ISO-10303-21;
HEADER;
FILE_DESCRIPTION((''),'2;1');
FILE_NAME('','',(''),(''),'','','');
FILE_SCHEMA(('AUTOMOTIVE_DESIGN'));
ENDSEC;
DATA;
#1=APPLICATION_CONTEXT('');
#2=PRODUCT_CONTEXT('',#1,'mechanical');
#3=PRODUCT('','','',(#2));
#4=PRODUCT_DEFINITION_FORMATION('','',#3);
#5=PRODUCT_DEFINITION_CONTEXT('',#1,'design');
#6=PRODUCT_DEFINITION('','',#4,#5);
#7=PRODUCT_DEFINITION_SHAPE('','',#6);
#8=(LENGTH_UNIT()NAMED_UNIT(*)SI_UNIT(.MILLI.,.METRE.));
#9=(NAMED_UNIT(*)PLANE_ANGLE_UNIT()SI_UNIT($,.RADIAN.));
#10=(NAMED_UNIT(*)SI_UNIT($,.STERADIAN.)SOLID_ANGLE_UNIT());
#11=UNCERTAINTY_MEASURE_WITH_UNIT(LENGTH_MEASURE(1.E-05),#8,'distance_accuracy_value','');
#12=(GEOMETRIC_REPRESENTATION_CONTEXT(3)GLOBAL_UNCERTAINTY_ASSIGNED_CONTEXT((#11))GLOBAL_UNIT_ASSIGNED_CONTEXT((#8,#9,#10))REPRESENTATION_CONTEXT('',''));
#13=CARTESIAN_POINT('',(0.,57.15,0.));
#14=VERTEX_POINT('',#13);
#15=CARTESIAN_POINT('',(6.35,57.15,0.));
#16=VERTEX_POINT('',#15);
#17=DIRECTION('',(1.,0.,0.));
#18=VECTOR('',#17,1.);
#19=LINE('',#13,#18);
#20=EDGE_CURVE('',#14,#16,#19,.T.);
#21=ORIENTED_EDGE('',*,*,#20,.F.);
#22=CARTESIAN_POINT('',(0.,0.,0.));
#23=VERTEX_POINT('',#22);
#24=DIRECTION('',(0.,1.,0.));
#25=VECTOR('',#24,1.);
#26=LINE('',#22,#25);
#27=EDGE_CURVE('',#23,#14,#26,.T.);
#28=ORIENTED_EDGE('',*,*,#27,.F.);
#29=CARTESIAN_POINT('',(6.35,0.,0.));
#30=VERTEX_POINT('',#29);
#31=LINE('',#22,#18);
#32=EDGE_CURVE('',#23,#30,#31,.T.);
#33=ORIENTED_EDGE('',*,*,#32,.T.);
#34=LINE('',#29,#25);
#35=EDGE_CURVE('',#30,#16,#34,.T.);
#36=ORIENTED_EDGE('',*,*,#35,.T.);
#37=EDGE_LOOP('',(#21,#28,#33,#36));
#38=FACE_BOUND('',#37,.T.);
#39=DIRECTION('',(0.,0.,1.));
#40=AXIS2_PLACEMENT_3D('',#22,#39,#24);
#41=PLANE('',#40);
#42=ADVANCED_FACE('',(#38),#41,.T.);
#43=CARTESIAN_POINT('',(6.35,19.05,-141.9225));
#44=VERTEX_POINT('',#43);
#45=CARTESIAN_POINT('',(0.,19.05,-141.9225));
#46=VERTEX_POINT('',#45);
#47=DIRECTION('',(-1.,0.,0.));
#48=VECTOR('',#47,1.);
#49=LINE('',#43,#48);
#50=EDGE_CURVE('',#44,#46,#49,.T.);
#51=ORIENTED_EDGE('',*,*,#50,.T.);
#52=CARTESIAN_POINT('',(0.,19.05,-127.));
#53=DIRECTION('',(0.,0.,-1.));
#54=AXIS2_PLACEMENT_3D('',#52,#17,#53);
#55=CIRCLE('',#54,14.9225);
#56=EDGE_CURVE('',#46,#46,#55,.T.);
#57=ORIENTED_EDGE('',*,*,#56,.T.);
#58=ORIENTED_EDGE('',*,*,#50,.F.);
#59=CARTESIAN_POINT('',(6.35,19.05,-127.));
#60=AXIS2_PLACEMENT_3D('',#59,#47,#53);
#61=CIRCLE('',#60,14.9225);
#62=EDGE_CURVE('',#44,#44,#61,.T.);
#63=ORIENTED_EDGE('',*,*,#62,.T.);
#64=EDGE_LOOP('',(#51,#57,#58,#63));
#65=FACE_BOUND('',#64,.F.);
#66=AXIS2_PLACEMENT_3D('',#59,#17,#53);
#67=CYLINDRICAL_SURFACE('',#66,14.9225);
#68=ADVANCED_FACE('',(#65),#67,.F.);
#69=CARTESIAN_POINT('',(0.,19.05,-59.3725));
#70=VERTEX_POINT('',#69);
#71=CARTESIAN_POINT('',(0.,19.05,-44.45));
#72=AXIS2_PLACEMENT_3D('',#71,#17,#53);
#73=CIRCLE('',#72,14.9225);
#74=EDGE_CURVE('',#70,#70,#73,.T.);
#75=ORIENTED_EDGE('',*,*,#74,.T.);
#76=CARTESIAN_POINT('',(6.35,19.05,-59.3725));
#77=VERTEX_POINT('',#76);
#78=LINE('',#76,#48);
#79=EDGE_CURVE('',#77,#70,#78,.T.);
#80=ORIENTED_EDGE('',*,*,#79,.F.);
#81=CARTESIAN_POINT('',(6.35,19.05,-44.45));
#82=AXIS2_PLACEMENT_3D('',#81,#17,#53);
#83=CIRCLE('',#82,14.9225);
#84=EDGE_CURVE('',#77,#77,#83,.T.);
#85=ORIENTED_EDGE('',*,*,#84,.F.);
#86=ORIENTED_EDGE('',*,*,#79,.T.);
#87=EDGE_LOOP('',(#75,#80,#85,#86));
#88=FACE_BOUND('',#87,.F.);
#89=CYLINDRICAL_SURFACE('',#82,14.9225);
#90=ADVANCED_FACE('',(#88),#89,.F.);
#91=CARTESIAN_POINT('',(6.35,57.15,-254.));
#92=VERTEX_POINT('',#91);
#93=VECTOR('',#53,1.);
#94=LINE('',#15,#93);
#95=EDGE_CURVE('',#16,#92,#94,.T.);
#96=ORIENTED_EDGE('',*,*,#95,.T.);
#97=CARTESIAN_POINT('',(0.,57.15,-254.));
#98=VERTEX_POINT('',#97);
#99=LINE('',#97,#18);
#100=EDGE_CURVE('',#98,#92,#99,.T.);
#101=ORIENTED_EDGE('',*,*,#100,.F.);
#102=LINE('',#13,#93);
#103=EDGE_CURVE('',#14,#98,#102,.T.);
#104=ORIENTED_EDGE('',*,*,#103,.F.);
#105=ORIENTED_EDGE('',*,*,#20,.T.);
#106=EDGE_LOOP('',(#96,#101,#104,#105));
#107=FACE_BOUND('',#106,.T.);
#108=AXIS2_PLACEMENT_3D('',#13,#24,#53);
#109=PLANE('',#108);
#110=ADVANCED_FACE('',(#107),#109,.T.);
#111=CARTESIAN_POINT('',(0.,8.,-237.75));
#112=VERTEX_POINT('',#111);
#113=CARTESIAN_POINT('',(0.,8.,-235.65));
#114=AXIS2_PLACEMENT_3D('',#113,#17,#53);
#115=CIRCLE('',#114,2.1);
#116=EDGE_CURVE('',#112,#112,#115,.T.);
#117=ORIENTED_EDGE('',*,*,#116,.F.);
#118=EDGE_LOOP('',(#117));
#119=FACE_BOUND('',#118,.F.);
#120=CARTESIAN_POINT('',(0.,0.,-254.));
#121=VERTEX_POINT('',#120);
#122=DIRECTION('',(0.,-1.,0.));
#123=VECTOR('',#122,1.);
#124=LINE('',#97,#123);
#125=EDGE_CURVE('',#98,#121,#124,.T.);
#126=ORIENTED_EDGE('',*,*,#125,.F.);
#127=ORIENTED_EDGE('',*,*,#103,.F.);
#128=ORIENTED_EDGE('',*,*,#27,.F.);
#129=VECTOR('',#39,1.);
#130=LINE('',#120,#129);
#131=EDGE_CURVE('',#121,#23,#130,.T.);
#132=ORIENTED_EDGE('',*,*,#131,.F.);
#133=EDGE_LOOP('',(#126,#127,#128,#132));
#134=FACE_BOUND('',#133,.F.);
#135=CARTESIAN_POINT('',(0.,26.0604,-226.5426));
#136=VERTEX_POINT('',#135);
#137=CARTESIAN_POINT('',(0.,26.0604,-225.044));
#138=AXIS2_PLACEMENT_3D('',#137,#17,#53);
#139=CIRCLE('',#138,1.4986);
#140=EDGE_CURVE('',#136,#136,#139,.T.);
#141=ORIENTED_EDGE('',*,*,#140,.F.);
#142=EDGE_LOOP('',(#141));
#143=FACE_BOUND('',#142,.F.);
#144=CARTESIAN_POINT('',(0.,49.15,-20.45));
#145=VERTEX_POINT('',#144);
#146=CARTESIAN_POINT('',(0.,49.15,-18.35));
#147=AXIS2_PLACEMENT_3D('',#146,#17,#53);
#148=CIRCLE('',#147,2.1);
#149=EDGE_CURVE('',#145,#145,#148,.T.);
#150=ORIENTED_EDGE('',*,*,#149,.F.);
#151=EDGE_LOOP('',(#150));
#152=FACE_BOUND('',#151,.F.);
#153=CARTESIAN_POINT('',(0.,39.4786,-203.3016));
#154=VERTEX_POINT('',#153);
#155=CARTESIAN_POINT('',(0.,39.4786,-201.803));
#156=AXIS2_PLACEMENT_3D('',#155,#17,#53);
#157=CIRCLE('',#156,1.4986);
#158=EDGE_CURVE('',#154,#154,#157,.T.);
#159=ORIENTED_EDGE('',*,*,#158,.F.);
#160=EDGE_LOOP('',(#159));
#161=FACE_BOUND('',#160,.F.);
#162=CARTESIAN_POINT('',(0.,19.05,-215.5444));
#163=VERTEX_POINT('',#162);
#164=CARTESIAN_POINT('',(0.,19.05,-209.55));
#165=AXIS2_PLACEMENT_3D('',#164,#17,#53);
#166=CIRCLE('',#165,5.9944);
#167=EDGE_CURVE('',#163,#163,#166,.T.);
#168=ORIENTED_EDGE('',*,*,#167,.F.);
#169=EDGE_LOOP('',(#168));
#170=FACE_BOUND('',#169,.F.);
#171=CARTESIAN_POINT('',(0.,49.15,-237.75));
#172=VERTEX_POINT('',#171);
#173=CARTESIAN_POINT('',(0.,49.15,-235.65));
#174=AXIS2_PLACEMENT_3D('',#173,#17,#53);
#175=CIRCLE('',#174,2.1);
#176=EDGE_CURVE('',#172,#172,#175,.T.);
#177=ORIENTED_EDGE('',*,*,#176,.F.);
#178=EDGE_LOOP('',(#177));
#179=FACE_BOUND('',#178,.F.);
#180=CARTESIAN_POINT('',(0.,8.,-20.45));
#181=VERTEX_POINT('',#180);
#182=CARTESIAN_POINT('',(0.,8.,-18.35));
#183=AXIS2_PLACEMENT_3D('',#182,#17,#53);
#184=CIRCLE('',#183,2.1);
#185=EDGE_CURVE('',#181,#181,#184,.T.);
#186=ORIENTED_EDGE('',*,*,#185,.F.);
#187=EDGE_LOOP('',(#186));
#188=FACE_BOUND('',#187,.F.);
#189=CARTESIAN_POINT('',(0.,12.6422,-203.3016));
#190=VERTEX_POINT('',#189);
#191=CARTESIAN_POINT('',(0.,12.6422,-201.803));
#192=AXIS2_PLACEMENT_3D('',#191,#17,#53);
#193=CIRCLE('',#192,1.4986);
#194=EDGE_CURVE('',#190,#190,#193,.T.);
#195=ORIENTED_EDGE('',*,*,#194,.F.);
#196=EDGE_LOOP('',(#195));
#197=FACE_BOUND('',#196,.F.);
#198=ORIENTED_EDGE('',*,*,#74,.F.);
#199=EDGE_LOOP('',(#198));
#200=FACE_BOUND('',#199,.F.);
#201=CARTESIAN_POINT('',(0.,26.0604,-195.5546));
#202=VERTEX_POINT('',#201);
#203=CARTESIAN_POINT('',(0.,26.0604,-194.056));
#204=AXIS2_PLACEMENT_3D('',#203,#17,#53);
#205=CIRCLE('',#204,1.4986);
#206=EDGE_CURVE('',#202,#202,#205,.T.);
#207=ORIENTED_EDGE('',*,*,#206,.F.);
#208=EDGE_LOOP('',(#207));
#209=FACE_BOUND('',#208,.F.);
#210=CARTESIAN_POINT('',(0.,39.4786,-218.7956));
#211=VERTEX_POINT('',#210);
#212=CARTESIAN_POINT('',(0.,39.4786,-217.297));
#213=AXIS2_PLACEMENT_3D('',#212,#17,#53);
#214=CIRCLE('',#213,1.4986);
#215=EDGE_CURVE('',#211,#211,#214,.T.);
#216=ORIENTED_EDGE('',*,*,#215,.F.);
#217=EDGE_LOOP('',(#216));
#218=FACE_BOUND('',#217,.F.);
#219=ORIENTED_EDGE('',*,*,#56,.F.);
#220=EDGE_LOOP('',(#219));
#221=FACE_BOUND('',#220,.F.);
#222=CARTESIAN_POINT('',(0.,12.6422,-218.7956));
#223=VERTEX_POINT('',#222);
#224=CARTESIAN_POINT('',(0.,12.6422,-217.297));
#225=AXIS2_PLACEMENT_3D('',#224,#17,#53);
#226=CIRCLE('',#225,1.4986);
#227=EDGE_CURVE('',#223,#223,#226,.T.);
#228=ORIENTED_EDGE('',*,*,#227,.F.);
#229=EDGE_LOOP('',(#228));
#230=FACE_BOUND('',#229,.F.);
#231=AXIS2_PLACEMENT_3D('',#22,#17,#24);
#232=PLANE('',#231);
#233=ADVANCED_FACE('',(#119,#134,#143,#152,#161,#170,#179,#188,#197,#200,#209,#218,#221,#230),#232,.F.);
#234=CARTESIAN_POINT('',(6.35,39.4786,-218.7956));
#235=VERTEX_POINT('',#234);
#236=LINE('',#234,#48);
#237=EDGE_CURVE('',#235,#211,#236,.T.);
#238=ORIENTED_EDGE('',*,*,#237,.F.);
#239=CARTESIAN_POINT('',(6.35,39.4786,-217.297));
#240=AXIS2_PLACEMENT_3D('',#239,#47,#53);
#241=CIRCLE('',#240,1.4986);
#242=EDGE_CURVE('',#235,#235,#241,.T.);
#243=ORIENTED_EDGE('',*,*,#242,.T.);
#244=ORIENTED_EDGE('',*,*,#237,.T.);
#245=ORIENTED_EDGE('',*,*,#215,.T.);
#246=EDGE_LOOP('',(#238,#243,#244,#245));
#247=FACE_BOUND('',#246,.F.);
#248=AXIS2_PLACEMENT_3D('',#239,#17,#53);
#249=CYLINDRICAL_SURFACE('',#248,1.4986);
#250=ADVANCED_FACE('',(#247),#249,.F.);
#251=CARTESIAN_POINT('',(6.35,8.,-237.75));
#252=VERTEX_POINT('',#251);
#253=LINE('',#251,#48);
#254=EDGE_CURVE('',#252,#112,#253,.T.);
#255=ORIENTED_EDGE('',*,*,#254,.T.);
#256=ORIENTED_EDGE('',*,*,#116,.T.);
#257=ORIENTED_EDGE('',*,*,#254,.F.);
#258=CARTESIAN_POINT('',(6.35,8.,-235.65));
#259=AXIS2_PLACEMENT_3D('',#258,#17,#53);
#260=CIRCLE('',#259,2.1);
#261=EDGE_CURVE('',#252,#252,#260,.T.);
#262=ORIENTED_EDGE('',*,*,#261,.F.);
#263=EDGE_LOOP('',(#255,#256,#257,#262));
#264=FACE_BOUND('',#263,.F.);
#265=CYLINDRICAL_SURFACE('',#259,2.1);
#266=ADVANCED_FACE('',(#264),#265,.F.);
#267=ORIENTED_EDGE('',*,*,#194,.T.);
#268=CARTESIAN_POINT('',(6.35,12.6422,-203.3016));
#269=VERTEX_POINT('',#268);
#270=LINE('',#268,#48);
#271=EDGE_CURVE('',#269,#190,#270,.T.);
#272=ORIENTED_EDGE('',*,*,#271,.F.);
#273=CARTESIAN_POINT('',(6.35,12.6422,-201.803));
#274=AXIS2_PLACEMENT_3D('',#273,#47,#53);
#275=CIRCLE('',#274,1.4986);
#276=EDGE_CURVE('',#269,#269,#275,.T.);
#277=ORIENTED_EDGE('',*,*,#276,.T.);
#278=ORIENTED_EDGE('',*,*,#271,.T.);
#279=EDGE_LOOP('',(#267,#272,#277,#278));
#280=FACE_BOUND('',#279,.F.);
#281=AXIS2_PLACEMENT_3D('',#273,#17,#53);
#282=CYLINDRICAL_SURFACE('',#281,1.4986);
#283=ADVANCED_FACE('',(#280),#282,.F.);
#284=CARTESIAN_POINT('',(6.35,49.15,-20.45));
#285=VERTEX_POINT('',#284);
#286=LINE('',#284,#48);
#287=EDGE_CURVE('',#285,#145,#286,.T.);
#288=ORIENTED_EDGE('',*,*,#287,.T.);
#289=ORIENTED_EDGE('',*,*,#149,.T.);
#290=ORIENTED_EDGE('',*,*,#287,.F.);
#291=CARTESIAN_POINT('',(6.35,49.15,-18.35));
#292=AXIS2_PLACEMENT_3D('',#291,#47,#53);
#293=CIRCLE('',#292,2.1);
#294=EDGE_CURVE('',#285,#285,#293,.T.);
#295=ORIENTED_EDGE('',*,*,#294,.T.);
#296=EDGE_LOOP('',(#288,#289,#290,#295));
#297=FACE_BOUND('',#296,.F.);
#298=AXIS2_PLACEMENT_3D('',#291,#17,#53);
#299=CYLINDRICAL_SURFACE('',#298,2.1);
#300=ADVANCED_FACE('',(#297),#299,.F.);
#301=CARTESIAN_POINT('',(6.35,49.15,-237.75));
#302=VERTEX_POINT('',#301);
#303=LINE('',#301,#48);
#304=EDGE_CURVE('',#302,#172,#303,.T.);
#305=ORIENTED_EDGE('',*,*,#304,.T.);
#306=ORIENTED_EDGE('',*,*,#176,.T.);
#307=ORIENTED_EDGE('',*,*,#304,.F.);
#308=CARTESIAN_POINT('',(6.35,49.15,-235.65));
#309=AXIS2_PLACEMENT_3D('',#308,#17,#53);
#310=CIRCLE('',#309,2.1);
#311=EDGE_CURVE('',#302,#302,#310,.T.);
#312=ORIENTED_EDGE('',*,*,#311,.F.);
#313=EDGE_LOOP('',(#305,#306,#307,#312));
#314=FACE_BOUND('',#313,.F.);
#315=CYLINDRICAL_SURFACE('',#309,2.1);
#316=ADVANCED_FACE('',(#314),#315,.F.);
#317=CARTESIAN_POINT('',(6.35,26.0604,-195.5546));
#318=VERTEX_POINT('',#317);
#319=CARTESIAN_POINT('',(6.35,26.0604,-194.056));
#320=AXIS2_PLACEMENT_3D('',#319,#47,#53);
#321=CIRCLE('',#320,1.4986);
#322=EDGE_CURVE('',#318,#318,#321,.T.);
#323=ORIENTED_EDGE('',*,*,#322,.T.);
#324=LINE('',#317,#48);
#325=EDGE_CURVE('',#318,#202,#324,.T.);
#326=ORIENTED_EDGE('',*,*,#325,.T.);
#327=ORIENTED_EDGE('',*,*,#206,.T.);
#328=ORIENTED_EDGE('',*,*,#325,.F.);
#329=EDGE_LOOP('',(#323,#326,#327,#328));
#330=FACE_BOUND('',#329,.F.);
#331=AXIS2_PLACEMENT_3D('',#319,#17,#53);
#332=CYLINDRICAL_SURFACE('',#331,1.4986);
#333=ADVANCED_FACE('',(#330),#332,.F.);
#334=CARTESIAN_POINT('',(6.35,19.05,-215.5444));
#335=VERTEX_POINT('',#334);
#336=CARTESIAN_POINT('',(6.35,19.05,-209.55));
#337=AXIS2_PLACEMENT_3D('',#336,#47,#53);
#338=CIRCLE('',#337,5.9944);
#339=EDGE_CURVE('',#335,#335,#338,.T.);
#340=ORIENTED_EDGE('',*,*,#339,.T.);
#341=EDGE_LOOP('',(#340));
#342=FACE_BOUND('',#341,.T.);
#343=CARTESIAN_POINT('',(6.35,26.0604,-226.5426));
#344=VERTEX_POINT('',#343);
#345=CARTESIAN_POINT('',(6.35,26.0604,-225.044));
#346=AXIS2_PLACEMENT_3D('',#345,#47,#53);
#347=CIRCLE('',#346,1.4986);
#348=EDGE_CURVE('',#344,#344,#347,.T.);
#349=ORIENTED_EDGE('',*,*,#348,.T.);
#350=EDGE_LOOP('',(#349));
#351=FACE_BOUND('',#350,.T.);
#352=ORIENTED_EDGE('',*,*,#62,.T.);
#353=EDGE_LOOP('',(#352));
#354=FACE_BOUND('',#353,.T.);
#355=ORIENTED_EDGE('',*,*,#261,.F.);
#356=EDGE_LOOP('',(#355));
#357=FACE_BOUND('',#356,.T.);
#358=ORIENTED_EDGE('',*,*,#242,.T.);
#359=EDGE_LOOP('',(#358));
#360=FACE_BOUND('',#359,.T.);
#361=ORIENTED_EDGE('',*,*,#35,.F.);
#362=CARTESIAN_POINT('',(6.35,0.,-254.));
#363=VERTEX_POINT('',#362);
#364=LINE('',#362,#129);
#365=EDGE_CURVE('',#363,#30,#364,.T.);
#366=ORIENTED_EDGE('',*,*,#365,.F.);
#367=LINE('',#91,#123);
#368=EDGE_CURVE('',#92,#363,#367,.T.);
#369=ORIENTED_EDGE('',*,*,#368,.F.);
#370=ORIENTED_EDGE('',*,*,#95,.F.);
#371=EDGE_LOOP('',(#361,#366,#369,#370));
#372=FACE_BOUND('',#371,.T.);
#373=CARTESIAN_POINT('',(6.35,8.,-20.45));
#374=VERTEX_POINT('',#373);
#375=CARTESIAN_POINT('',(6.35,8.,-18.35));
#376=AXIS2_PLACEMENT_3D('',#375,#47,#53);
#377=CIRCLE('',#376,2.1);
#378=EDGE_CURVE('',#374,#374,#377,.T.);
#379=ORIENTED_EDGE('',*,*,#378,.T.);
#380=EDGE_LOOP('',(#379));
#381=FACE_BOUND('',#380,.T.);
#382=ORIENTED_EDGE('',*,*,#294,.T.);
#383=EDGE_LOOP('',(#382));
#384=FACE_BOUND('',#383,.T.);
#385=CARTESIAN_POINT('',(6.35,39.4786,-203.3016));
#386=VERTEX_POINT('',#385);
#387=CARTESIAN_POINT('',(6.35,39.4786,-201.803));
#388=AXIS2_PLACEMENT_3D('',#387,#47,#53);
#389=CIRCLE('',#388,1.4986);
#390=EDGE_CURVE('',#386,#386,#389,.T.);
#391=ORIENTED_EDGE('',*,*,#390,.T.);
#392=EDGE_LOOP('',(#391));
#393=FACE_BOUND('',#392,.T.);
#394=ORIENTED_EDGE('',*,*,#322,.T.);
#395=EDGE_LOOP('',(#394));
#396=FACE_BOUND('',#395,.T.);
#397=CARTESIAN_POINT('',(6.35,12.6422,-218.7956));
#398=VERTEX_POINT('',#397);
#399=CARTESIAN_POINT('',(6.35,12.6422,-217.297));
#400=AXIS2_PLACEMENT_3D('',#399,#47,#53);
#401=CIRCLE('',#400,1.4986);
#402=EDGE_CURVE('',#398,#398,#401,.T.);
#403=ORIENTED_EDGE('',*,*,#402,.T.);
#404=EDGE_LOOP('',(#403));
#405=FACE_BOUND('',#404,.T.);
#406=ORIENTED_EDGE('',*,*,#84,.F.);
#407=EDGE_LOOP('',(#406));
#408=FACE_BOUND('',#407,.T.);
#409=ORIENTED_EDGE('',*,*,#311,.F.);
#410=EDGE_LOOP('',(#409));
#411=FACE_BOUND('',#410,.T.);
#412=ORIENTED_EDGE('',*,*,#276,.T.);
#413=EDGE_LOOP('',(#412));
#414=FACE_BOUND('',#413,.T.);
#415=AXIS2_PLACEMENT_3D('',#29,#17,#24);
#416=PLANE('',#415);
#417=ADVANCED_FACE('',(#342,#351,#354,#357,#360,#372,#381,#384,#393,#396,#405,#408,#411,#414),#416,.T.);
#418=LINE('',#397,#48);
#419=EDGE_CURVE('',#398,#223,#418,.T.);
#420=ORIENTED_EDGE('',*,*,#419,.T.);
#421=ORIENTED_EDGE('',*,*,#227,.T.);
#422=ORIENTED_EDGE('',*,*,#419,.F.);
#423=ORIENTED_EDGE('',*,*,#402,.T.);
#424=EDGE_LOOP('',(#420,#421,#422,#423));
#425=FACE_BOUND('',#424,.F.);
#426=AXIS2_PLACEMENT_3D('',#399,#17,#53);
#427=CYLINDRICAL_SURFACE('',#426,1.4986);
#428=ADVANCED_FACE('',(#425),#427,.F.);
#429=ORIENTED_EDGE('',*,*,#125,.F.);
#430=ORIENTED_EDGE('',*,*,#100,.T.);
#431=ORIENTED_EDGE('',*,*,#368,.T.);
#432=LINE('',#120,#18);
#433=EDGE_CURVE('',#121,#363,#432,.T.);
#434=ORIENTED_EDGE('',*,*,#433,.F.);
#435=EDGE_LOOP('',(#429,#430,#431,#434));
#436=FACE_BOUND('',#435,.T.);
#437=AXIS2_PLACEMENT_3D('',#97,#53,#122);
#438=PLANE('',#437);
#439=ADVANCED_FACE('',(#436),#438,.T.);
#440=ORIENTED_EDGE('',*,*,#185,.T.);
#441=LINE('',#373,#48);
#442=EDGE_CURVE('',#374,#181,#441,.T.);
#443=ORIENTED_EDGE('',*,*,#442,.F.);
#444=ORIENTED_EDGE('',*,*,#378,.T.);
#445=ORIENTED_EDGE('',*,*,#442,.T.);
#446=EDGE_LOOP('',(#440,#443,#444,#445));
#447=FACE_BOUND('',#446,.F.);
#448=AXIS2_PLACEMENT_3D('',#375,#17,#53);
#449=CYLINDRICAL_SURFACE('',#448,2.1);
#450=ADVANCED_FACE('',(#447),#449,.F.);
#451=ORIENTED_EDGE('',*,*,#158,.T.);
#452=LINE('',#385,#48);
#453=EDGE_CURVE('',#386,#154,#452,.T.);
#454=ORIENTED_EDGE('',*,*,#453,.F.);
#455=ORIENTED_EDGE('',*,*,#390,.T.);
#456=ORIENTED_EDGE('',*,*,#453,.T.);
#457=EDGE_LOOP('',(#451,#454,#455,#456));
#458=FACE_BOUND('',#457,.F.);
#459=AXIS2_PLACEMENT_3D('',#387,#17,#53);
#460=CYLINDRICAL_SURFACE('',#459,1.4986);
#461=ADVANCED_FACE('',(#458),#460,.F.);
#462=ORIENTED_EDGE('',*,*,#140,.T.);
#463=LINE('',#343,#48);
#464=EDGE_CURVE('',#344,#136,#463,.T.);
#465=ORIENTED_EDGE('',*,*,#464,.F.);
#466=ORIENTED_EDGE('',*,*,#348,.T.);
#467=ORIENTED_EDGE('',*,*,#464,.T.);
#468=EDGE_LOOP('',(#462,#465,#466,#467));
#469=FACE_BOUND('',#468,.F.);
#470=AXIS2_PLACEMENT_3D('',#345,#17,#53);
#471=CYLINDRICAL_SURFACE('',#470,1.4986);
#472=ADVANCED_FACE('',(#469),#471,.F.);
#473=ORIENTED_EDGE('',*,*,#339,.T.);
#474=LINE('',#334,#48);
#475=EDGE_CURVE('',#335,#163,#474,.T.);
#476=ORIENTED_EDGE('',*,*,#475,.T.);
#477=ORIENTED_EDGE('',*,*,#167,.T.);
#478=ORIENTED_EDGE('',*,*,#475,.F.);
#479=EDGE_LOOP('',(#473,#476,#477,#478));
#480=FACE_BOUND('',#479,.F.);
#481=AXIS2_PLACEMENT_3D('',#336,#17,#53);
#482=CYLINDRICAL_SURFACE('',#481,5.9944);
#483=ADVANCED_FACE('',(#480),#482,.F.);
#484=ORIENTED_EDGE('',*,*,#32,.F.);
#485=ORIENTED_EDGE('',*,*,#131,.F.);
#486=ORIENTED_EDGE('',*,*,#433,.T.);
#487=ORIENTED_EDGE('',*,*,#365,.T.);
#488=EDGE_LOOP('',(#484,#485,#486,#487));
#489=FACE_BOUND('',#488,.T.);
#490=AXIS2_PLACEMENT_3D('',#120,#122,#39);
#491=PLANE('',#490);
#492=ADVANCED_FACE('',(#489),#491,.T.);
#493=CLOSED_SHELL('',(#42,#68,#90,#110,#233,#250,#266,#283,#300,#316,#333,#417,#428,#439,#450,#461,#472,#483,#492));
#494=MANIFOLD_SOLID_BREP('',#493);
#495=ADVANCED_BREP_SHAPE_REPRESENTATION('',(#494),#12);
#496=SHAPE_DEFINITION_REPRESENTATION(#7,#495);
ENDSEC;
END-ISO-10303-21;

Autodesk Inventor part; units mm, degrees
ref_plane "YZ Plane" through (0, 0, 0) normal (1, 0, 0) x (0, 1, 0)
ref_plane "XZ Plane" through (0, 0, 0) normal (0, 1, 0) x (-1, 0, 0)
ref_plane "XY Plane" through (0, 0, 0) normal (0, 0, 1) x (1, 0, 0)
sketch "Sketch1" plane through (0, 0, 0) normal (1, 0, 0) x (0, 1, 0)
  line L0 (0, 0) -> (57.15, 0)
  line L1 (57.15, 0) -> (57.15, -254)
  line L2 (57.15, -254) -> (0, -254)
  line L3 (0, -254) -> (0, 0)
  dimension "d0" = 57.15
  dimension "d1" = 254
extrude "Extrusion1" add sketch "Sketch1" along normal blind 6.35
sketch "Sketch2" plane through (6.35, 0, 0) normal (1, 0, 0) x (0, 0, -1)
  line L0 (254, 57.15) -> (0, 57.15) projected
  circle A0 centre (209.55, 19.05) radius 5.9944
  line L1 (209.55, 19.05) -> (209.55, 26.0604)
  circle A1 centre (209.55, 26.0604) radius 15.494
  circle A2 centre (225.044, 26.0604) radius 1.4986
  circle A3 centre (217.297, 39.4786) radius 1.4986
  circle A4 centre (201.803, 39.4786) radius 1.4986
  circle A5 centre (194.056, 26.0604) radius 1.4986
  circle A6 centre (201.803, 12.6422) radius 1.4986
  circle A7 centre (217.297, 12.6422) radius 1.4986
  line L2 (209.55, 13.0556) -> (0, 13.0556)
  line L3 (0, 57.15) -> (0, 0) projected
  line L4 (0, 0) -> (254, 0) projected
  dimension "d7" = 11.9888
  dimension "d9" = 7.0104
  dimension "d10" = 30.988
  dimension "d11" = 2.9972
  dimension "d14" = 360
  dimension "d28" = 209.55
  dimension "d49" = 13.0556
extrude "Extrusion2" cut sketch "Sketch2" against normal through all contours A0 | A6 A1 L2 | L2 A1 A6 | A1 L2 A6 | A1 A6 L2 | A5 A1 | A1 A5 | A7 A1 | A1 A7 | A4 A1 | A1 A4 | A2 A1 | A1 A2 | A3 A1 | A1 A3
sketch "Sketch3" plane through (6.35, 0, 0) normal (1, 0, 0) x (0, 0, -1)
  circle A0 centre (209.55, 19.05) radius 5.9944 projected
  circle A1 centre (201.803, 12.6422) radius 1.4986 projected
  circle A2 centre (201.803, 39.4786) radius 1.4986 projected
  circle A3 centre (225.044, 26.0604) radius 1.4986 projected
  circle A4 centre (217.297, 39.4786) radius 1.4986 projected
  circle A5 centre (194.056, 26.0604) radius 1.4986 projected
  circle A6 centre (217.297, 12.6422) radius 1.4986 projected
  line L0 (0, 57.15) -> (0, 0) projected
  line L1 (0, 0) -> (254, 0) projected
  line L2 (254, 0) -> (254, 57.15) projected
  line L3 (254, 57.15) -> (0, 57.15) projected
  line L4 (209.55, 19.05) -> (127, 19.05)
  circle A7 centre (127, 19.05) radius 14.9225
  circle A8 centre (127, 19.05) radius 36.5125
  line L5 (127, 19.05) -> (44.45, 19.05)
  circle A9 centre (44.45, 19.05) radius 14.9225
  dimension "d18" = 82.55
  dimension "d19" = 29.845
  dimension "d27" = 73.025
  dimension "d29" = 82.55
  dimension "d30" = 29.845
extrude "Extrusion3" cut sketch "Sketch3" against normal through all contours A9 | A7 L5 L4 | L4 L5 A7
sketch "Sketch4" plane through (6.35, 0, 0) normal (1, 0, 0) x (0, 0, -1)
  line L0 (0, 57.15) -> (0, 0) projected
  line L1 (254, 0) -> (254, 57.15) projected
  line L2 (0, 57.15) -> (6.35, 57.15)
  line L3 (6.35, 57.15) -> (18.35, 57.15)
  line L4 (18.35, 57.15) -> (18.35, 49.15)
  circle A0 centre (18.35, 49.15) radius 2.1
  line L5 (6.35, 0) -> (18.35, 0)
  line L6 (18.35, 0) -> (18.35, 8)
  circle A1 centre (18.35, 8) radius 2.1
  line L7 (254, 57.15) -> (247.65, 57.15)
  line L8 (247.65, 57.15) -> (235.65, 57.15)
  line L9 (247.65, 0) -> (235.65, 0)
  circle A2 centre (235.65, 49.15) radius 2.1
  circle A3 centre (235.65, 8) radius 2.1
  line L10 (254, 57.15) -> (0, 57.15) projected
  dimension "d31" = 6.35
  dimension "d32" = 12
  dimension "d33" = 8
  dimension "d34" = 4.2
  dimension "d35" = 12
  dimension "d36" = 8
  dimension "d37" = 4.2
  dimension "d38" = 6.35
  dimension "d39" = 12
  dimension "d41" = 12
  dimension "d43" = 4.2
  dimension "d44" = 4.2
  dimension "d45" = 6.35
  dimension "d46" = 6.35
extrude "Extrusion4" cut sketch "Sketch4" against normal through all
properties part number "DriveRail"
